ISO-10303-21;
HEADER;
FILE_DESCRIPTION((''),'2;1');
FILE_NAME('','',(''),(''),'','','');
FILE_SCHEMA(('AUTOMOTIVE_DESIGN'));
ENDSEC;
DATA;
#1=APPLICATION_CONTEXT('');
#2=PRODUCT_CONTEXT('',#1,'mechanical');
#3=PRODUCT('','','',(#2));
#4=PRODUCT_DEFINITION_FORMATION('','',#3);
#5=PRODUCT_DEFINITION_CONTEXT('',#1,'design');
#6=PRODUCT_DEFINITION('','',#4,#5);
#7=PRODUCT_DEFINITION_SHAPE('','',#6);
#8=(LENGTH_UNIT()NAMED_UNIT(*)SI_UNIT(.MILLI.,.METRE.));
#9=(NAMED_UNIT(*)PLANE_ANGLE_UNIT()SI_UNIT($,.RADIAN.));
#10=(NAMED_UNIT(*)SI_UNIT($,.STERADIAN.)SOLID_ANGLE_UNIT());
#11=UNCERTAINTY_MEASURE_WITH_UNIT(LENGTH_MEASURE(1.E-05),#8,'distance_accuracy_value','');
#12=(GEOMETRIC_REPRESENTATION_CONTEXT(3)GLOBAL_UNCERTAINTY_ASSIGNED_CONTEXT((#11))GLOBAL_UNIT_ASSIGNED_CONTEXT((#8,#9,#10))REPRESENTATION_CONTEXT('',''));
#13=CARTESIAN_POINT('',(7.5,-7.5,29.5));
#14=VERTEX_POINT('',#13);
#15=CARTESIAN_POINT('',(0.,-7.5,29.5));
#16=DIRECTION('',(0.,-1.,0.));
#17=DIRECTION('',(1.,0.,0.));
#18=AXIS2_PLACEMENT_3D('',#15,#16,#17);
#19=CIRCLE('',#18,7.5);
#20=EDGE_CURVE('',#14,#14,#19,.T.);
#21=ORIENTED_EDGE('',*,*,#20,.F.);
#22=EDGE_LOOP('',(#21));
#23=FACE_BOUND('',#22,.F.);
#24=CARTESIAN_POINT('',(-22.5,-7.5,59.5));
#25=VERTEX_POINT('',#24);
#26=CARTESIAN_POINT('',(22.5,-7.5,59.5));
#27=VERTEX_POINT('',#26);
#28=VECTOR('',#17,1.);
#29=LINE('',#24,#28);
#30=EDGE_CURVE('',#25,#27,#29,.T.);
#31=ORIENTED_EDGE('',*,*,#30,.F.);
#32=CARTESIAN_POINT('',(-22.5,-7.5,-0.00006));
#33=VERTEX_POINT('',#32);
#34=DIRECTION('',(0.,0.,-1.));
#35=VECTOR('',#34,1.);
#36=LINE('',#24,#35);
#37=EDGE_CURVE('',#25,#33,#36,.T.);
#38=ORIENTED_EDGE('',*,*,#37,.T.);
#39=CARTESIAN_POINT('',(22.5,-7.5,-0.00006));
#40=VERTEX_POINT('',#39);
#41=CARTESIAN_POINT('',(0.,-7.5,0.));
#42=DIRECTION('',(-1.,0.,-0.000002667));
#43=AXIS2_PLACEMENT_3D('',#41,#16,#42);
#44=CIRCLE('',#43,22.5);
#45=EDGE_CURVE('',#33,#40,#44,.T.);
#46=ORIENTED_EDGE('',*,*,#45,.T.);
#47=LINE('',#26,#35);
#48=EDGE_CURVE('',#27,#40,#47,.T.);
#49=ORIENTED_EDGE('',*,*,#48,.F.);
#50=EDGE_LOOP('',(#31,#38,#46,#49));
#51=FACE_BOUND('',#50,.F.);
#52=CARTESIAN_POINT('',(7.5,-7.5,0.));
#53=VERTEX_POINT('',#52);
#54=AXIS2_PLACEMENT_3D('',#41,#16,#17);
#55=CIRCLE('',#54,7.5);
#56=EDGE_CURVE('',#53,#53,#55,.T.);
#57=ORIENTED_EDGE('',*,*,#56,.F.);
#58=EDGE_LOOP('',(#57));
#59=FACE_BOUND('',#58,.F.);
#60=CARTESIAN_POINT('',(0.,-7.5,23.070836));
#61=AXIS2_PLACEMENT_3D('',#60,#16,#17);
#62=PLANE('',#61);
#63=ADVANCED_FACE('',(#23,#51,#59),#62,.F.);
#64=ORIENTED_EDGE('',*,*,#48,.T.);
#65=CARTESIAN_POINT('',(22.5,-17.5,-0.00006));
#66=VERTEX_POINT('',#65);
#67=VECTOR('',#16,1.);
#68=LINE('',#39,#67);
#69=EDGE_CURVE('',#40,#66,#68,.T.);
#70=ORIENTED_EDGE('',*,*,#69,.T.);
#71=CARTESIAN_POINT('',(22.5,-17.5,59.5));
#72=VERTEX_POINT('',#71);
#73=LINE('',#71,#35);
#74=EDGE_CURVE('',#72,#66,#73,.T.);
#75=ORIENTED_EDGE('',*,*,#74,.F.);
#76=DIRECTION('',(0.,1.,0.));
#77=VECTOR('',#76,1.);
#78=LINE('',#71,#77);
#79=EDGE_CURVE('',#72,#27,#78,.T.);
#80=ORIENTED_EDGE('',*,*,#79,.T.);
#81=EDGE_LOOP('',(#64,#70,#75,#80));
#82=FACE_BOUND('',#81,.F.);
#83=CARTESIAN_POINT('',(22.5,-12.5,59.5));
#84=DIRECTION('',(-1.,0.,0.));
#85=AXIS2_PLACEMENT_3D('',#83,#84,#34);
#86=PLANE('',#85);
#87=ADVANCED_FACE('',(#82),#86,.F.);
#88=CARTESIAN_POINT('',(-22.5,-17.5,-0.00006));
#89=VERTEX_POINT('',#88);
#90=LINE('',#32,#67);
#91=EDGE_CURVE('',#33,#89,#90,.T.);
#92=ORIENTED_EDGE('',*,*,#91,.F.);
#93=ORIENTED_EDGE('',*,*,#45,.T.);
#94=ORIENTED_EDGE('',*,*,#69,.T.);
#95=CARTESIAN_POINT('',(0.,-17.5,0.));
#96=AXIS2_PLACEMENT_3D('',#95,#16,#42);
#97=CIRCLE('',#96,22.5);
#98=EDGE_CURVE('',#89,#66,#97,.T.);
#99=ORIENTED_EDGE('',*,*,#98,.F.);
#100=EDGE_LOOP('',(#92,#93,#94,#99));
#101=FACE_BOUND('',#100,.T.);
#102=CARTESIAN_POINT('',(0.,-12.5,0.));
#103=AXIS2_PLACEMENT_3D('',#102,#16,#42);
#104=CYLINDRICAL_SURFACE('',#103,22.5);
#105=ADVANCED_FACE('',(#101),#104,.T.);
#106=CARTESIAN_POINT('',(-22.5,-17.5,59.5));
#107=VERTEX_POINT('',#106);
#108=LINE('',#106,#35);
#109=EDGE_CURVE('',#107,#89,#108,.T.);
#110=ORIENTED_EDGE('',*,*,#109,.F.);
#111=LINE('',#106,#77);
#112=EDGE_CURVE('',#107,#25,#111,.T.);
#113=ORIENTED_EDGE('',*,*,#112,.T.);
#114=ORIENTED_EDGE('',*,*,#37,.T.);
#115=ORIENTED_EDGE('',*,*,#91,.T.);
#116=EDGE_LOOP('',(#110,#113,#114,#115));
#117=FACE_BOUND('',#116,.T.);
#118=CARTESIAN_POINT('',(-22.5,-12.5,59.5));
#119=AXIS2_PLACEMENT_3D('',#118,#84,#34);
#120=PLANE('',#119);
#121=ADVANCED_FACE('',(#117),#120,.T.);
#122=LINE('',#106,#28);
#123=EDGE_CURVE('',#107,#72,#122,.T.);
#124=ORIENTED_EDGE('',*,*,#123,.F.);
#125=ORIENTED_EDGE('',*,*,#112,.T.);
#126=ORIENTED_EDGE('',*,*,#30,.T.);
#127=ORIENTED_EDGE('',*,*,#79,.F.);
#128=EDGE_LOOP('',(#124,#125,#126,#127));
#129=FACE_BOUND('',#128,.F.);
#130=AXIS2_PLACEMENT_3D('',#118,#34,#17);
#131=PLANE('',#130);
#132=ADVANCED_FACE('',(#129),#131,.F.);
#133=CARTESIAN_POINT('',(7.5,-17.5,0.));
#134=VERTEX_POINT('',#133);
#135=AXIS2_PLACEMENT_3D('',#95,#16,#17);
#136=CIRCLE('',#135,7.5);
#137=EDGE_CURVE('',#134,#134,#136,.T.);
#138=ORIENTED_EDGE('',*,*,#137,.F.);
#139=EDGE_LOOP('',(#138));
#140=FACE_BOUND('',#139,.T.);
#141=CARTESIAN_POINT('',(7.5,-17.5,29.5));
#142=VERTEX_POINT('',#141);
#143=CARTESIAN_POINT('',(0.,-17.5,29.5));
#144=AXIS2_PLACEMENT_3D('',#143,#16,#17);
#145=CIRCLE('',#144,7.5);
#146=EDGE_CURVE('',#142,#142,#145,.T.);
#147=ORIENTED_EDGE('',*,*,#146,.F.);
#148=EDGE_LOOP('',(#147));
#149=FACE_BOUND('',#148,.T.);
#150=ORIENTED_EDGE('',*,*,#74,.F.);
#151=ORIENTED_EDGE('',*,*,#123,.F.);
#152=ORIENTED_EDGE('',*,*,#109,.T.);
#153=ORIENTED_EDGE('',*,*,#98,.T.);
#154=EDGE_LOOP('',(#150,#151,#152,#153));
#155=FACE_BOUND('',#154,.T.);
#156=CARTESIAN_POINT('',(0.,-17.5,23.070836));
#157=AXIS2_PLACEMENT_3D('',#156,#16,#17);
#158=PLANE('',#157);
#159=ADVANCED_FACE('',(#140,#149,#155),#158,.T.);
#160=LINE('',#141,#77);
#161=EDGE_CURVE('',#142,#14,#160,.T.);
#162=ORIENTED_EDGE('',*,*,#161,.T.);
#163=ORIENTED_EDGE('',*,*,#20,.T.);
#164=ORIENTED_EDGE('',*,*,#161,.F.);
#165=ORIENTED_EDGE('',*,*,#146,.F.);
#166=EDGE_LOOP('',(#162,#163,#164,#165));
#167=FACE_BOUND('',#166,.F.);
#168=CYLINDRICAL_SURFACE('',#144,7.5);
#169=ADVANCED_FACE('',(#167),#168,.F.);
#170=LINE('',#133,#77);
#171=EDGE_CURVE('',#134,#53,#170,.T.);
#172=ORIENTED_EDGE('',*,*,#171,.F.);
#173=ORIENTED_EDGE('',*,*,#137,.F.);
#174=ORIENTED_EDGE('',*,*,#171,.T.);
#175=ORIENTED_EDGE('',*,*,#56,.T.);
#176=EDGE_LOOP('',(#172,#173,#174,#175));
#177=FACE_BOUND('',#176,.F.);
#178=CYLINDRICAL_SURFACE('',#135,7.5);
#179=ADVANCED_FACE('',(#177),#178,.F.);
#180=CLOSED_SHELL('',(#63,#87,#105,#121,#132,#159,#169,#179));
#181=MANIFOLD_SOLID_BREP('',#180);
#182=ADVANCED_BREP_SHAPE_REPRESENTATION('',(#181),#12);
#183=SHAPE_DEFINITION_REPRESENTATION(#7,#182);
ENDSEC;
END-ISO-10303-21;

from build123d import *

# Parameters (mm, degrees)
PAD_DEPTH  = 5
SKETCH_R   = 7.5
HOLE_DEPTH = 10.001


with BuildPart() as part:
    # Sketch004 → Pad (new body, symmetric)
    with BuildSketch(Plane.XZ.offset(12.5)):
        with BuildLine():
            Line((-22.5, 59.5), (-22.5, -6e-05))
            ThreePointArc((-22.5, -6e-05), (0, -22.5), (22.5, -6e-05))
            Line((22.5, 59.5), (22.5, -6e-05))
            Line((-22.5, 59.5), (22.5, 59.5))
        make_face()
    extrude(amount=PAD_DEPTH, both=True)

    # Sketch (on Face6 of Pad) → Hole (cut, through all)
    with BuildSketch(Plane.XZ.offset(17.5)):
        Circle(SKETCH_R)
        with Locations((0, 29.5)):
            Circle(SKETCH_R)
    extrude(amount=-HOLE_DEPTH, mode=Mode.SUBTRACT)


solid = part.part
